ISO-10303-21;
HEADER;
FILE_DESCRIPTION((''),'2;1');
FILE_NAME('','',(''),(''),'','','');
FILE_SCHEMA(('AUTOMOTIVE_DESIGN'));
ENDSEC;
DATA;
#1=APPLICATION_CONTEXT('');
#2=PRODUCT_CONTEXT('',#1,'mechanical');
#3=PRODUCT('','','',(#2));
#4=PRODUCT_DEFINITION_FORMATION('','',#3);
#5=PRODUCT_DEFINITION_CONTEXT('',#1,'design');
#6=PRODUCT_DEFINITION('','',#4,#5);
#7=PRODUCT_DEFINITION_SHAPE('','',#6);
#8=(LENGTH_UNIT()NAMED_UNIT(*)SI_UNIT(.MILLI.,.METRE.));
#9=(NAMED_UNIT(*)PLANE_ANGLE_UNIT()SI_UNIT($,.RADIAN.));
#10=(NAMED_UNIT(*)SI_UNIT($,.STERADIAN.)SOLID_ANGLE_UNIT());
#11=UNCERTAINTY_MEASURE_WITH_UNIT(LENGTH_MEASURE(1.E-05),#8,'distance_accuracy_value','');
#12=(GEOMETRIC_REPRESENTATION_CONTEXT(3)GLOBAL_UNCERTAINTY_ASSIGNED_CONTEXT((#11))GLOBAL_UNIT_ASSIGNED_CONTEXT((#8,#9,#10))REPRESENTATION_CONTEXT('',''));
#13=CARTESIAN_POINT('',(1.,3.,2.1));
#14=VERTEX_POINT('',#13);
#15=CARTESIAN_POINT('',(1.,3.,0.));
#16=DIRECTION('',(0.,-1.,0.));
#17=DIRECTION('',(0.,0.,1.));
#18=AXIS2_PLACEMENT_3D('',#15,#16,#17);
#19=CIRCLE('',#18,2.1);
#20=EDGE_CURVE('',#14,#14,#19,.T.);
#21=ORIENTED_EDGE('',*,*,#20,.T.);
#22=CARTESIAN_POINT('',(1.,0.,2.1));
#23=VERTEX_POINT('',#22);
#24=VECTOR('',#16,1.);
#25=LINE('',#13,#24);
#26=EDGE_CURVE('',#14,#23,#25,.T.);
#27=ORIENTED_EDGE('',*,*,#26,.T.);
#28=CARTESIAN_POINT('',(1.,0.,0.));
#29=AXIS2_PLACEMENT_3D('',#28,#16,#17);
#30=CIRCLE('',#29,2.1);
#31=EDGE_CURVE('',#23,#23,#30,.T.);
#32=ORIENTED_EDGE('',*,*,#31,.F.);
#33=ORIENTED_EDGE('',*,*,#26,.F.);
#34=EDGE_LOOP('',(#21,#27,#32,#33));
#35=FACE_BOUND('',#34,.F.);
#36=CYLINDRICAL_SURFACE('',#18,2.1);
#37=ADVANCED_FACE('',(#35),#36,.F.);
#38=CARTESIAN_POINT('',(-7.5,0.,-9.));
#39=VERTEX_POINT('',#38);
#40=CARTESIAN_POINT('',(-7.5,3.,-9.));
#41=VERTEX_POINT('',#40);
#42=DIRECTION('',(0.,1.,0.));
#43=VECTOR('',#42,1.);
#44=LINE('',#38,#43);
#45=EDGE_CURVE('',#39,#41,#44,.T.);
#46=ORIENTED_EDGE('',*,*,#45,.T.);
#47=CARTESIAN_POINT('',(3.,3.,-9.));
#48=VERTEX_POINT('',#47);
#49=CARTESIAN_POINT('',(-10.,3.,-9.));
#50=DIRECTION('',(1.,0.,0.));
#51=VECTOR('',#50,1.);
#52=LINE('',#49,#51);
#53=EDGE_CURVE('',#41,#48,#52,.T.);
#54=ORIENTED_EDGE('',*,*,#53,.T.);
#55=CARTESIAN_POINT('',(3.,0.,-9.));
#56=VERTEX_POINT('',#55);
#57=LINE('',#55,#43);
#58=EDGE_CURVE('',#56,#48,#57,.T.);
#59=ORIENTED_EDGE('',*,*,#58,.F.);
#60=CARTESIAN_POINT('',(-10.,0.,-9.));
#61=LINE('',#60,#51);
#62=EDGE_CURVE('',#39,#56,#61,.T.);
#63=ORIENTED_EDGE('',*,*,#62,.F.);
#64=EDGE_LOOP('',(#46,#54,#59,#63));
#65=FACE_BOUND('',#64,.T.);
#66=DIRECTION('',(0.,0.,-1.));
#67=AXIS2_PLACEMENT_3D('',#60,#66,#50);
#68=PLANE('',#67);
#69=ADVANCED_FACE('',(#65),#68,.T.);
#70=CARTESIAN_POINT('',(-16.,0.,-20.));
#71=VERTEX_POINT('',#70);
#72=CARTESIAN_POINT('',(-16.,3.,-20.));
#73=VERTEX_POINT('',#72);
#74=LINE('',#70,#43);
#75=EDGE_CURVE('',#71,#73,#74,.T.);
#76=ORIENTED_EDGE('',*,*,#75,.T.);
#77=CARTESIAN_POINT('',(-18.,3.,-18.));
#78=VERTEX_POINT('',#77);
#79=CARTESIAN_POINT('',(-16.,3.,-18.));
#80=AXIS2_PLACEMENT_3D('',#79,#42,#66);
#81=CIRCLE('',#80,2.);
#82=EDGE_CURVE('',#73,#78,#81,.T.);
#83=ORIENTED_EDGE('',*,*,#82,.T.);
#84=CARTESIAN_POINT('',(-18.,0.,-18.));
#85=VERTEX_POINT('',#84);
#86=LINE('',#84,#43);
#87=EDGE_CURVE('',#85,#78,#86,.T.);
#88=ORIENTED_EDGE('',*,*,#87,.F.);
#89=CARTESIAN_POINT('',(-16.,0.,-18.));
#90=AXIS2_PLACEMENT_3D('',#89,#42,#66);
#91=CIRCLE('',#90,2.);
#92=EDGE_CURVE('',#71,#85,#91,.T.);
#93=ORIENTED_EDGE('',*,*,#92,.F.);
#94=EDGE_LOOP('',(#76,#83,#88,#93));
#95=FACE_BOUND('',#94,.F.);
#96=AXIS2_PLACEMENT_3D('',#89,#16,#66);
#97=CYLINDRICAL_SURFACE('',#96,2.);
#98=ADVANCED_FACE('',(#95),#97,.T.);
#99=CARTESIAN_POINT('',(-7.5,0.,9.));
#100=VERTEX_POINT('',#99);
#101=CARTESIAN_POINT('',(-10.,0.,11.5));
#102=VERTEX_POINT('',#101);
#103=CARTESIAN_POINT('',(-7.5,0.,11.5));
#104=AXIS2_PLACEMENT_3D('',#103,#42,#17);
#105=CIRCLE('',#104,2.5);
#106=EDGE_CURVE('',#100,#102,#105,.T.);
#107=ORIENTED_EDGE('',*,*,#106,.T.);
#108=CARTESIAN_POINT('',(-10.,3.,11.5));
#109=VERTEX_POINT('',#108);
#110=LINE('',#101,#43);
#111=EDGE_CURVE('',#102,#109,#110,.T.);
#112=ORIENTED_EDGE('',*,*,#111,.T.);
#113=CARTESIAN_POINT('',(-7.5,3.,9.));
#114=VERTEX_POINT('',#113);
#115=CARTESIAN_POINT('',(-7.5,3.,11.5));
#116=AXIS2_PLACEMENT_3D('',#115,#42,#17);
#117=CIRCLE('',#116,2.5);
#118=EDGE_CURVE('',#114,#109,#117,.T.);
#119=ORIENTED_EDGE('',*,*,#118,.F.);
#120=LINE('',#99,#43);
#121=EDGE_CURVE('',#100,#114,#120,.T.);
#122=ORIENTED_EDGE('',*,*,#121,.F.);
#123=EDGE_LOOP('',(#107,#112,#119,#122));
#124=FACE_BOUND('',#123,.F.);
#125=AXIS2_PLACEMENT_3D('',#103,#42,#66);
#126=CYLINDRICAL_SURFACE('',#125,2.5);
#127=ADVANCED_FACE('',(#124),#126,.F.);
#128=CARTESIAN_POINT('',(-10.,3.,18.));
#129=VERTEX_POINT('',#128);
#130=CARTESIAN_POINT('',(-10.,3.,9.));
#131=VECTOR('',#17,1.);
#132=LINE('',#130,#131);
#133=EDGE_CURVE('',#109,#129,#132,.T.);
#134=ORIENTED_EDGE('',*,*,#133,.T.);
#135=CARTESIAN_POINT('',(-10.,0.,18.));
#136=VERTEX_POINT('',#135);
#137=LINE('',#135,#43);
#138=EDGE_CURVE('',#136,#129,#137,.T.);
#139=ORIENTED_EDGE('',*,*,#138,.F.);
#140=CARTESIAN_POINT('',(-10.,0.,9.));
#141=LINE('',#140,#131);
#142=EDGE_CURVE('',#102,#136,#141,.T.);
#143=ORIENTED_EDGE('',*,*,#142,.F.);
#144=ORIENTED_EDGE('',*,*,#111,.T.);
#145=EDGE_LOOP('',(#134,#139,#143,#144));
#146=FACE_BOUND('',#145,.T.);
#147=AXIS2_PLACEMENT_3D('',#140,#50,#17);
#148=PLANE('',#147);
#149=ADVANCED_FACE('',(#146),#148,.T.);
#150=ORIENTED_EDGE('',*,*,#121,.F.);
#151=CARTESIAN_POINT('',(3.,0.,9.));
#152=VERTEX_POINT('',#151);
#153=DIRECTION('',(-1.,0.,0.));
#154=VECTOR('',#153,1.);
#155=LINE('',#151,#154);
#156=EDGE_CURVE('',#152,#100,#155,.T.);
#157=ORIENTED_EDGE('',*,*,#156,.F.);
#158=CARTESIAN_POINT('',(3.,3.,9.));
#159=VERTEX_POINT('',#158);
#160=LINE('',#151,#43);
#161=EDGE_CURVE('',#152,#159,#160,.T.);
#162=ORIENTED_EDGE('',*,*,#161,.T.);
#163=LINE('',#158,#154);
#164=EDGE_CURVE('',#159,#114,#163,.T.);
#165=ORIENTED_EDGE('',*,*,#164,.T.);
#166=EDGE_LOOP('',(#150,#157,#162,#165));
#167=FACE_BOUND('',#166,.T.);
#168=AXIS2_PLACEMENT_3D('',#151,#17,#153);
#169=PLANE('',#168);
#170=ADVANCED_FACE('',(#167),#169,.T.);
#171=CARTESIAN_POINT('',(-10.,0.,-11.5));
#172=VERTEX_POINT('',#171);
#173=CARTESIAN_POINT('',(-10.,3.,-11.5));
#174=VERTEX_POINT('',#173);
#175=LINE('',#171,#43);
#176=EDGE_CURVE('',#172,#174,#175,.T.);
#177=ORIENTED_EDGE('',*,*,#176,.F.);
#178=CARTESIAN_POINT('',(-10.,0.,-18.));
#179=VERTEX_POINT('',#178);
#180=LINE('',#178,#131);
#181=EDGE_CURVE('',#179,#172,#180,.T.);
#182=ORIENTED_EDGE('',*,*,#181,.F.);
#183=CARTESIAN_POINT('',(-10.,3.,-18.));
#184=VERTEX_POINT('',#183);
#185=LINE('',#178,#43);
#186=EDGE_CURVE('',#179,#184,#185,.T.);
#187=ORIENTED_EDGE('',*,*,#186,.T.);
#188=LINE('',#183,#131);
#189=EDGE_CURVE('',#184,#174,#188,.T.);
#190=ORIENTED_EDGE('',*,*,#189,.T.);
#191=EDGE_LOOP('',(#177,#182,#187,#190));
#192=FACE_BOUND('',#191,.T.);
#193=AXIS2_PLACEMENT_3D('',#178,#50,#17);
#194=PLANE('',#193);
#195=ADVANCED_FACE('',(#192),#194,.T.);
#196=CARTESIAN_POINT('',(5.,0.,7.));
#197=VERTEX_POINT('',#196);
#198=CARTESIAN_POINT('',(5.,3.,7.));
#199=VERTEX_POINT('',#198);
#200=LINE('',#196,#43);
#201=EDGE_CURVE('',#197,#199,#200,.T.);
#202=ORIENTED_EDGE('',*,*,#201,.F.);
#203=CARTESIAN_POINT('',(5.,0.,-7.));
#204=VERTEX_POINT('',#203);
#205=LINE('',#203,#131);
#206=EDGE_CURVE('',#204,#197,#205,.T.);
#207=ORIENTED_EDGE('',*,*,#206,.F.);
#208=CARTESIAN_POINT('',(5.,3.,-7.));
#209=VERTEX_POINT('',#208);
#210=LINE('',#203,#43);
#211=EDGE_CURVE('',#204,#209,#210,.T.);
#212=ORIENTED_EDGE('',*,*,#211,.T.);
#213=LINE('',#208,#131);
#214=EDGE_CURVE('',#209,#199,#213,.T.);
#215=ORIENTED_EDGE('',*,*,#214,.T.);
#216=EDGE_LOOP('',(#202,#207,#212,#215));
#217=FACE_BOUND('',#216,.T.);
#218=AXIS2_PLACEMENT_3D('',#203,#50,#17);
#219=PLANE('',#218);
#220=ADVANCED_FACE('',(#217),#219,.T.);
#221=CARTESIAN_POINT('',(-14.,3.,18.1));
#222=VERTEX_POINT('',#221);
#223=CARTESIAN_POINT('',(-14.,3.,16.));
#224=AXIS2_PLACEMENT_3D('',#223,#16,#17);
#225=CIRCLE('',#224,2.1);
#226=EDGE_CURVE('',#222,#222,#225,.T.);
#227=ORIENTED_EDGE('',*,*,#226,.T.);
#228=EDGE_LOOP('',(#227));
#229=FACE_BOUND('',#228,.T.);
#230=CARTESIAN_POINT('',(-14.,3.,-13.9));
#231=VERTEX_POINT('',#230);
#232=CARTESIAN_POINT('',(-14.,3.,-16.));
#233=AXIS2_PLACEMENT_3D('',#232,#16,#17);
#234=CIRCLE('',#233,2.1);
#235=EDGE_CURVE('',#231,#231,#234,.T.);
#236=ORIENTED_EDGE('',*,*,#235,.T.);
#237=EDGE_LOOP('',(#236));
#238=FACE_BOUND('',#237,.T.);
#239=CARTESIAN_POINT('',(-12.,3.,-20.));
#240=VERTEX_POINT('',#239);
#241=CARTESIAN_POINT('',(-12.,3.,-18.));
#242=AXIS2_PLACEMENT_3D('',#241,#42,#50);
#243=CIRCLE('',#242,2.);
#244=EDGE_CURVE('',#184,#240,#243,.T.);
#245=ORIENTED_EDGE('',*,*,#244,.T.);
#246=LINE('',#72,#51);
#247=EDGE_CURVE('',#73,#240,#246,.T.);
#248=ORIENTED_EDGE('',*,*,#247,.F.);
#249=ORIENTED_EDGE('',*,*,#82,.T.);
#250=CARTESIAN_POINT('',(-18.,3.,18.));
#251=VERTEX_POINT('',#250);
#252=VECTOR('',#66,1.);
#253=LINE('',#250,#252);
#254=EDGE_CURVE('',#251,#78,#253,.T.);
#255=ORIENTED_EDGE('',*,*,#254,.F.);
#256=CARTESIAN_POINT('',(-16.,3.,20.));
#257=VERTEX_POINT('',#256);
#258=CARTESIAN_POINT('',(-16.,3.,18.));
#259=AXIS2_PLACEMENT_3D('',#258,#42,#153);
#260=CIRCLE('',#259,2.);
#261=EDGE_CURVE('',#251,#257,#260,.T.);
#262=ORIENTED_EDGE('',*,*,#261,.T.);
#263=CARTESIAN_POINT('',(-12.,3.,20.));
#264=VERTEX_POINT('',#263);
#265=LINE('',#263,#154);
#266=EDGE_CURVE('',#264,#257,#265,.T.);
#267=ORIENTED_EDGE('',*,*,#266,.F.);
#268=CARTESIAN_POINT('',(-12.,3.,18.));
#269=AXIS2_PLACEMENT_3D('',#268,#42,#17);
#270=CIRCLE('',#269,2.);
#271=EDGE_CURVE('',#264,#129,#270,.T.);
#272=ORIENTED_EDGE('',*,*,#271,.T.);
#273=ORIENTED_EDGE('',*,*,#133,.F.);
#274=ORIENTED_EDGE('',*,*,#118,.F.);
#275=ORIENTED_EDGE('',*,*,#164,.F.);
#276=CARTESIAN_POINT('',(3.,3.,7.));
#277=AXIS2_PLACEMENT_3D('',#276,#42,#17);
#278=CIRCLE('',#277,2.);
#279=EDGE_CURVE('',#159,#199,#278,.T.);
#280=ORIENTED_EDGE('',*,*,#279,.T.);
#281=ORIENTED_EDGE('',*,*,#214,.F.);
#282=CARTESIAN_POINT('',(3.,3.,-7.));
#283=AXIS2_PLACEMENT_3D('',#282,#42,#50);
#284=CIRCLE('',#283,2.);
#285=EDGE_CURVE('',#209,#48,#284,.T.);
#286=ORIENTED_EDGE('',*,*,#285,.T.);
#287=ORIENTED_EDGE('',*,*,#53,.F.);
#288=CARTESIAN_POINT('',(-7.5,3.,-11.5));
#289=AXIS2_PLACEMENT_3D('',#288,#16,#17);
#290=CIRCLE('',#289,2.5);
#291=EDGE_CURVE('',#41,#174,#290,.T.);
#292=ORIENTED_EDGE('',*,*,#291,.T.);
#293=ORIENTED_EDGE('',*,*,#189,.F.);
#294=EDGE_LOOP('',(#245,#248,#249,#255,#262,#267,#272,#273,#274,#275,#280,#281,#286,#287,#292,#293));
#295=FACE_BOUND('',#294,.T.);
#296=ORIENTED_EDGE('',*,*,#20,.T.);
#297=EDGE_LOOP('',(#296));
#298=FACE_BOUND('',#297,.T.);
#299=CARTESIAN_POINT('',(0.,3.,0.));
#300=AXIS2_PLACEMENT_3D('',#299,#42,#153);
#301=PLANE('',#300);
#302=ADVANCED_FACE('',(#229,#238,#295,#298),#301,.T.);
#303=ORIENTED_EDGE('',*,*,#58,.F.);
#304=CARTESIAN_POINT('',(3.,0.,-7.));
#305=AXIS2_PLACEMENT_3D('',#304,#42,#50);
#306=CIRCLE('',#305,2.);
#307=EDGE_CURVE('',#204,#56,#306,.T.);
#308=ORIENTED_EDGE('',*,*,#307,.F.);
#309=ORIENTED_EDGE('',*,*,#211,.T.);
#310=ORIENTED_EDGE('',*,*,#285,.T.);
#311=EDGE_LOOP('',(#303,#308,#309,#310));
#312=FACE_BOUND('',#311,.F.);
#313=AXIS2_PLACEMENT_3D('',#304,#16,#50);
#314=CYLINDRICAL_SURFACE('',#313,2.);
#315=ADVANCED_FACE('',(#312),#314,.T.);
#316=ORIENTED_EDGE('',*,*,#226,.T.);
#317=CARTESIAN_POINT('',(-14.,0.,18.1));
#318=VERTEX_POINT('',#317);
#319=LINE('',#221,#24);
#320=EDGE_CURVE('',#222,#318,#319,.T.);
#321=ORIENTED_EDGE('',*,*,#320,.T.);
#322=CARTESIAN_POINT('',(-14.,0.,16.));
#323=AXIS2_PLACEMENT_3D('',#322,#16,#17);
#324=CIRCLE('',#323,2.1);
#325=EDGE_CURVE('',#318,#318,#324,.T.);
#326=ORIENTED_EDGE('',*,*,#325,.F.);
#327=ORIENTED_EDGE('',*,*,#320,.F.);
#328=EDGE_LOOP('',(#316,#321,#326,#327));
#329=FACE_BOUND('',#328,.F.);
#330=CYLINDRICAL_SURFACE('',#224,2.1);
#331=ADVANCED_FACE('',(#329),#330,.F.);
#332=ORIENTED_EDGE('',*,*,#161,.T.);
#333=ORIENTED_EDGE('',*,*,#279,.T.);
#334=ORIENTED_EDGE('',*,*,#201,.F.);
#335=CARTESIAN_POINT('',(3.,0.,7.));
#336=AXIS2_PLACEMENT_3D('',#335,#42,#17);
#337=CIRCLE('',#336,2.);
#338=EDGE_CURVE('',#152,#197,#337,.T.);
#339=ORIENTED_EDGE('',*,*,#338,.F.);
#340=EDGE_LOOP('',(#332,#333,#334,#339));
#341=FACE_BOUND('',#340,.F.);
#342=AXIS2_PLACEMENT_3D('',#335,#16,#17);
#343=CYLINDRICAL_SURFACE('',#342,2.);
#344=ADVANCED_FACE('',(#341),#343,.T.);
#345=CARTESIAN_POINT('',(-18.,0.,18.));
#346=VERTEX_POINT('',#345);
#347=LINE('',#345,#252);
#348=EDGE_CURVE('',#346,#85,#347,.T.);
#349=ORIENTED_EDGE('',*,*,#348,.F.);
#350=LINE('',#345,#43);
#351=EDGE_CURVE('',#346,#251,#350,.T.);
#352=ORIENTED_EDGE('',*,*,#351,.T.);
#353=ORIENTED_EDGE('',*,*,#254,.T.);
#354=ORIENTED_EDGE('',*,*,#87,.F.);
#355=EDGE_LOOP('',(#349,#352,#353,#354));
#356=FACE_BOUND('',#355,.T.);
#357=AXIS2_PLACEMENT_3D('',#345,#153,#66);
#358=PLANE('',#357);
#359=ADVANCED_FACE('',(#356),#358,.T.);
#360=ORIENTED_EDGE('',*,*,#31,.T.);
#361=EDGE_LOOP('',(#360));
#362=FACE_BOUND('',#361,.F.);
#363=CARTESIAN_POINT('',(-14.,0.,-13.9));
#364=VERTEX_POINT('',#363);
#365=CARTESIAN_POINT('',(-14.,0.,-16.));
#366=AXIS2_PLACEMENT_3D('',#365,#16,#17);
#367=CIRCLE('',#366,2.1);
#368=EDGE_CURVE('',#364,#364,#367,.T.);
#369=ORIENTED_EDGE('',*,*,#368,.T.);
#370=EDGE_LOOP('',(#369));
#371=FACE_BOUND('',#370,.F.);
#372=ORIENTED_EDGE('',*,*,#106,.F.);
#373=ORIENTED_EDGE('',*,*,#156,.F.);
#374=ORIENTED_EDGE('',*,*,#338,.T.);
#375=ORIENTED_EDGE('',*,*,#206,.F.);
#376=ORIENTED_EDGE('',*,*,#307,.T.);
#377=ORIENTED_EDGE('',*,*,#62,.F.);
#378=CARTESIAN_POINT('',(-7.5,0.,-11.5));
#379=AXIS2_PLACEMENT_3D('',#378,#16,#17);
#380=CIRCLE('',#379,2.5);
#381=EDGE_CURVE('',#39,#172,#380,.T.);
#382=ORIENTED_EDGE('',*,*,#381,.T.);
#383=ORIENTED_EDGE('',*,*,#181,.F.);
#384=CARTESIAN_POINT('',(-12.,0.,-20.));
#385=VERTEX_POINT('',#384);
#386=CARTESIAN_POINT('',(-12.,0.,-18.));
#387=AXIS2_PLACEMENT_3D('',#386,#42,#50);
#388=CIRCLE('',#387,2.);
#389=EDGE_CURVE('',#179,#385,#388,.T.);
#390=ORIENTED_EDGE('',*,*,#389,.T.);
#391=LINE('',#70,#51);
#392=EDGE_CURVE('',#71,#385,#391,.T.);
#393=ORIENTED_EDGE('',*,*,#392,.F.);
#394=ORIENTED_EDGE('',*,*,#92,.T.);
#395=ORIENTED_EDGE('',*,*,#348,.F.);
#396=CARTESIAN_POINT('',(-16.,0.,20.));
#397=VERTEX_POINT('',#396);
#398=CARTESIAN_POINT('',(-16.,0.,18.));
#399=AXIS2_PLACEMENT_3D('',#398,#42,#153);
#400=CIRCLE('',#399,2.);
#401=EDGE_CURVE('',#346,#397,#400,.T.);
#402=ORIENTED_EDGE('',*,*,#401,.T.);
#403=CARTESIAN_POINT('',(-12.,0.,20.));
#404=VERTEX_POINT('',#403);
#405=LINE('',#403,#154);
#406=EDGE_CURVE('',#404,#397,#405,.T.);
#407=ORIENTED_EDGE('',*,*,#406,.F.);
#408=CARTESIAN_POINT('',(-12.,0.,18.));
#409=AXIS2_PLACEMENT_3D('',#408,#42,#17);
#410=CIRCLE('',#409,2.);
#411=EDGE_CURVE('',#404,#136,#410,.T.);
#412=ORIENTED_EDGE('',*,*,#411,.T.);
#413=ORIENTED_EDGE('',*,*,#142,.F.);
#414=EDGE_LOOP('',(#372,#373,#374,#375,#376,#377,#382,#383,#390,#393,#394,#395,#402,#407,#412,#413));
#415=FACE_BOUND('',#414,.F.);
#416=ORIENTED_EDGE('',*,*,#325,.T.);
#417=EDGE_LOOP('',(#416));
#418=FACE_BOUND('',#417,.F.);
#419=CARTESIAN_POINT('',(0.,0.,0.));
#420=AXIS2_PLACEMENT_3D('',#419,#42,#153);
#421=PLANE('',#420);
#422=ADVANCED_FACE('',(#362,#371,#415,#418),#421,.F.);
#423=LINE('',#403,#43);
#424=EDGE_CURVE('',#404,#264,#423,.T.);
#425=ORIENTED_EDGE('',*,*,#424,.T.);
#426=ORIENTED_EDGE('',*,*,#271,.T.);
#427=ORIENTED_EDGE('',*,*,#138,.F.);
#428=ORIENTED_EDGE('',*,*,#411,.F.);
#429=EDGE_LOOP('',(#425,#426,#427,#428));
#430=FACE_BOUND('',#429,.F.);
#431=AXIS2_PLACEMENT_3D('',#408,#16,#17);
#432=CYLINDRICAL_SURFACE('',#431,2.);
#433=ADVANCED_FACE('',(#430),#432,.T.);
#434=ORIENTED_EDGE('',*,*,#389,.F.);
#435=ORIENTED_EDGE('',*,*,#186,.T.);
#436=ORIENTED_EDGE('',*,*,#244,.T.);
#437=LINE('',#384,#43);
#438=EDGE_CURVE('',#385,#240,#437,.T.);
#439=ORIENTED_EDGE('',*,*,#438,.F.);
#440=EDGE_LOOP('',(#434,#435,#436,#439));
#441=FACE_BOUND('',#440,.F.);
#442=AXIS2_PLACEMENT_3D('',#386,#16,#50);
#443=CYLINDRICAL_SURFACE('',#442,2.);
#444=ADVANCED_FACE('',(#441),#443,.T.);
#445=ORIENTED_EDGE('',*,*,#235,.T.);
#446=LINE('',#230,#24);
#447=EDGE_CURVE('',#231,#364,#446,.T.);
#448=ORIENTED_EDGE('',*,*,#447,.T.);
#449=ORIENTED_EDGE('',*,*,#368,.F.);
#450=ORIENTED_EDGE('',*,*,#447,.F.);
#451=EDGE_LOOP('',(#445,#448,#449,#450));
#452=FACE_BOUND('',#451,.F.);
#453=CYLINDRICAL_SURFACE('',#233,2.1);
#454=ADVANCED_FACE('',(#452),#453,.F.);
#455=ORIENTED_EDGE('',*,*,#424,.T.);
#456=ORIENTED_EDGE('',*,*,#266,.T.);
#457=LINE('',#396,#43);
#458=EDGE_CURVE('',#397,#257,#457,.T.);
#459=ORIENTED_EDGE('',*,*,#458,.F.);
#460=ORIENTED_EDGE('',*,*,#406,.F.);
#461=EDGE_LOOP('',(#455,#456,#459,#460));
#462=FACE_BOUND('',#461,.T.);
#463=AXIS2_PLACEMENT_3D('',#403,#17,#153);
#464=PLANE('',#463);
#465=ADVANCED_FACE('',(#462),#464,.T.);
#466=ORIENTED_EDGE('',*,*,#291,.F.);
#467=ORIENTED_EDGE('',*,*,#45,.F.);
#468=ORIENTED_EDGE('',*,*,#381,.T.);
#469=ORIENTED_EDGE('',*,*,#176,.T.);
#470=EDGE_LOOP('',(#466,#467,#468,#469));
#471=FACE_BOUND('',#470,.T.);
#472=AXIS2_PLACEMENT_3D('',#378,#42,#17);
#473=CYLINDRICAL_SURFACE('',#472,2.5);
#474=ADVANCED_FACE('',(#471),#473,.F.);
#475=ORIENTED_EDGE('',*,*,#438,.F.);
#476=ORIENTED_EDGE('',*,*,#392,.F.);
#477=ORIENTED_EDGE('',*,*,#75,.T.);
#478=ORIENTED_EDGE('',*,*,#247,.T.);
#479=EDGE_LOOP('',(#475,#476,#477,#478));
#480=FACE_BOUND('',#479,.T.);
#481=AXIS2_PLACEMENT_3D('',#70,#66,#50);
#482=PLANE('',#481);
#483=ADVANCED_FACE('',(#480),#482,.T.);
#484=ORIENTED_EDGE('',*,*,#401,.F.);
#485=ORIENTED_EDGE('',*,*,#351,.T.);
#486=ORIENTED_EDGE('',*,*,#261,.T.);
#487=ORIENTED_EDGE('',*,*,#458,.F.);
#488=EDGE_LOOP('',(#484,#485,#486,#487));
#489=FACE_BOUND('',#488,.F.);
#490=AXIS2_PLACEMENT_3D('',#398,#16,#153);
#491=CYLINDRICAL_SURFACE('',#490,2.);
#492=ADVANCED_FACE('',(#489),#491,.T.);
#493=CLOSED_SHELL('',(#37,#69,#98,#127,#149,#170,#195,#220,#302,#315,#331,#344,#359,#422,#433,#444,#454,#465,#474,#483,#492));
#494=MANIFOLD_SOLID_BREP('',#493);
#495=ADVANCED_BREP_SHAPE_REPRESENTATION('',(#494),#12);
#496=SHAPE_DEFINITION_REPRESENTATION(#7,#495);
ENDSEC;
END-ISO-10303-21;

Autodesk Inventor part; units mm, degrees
ref_plane "YZ Plane" through (0, 0, 0) normal (1, 0, 0) x (0, 1, 0)
ref_plane "XZ Plane" through (0, 0, 0) normal (0, 1, 0) x (-1, 0, 0)
ref_plane "XY Plane" through (0, 0, 0) normal (0, 0, 1) x (1, 0, 0)
sketch "スケッチ1" plane through (0, 0, 0) normal (0, 1, 0) x (-1, 0, 0)
  line L0 (-3, 9) -> (10, 9)
  line L1 (10, -9) -> (-3, -9)
  line L2 (-5, -7) -> (-5, 7)
  line L3 (12, 20) -> (16, 20)
  line L4 (18, 18) -> (18, -18)
  line L5 (16, -20) -> (12, -20)
  line L6 (10, -18) -> (10, -9)
  line L7 (10, 9) -> (10, 18)
  arc A0 (18, 18) -> (16, 20) centre (16, 18) ccw
  arc A1 (12, 20) -> (10, 18) centre (12, 18) ccw
  arc A2 (16, -20) -> (18, -18) centre (16, -18) ccw
  arc A3 (10, -18) -> (12, -20) centre (12, -18) ccw
  arc A4 (-5, -7) -> (-3, -9) centre (-3, -7) ccw
  arc A5 (-3, 9) -> (-5, 7) centre (-3, 7) ccw
  point P0 (0, 0)
  point P1 (-5, 9)
  point P2 (-5, -9)
  point P3 (10, 20)
  point P4 (18, -20)
  point P5 (18, 20)
  point P6 (10, -20)
  dimension "d0" = 5
  dimension "d2" = 8
  dimension "d3" = 8
  dimension "d4" = 18
  dimension "d5" = 9
  dimension "d6" = 40
  dimension "d7" = 20
  dimension "d8" = 10
  dimension "d10" = 2
extrude "プレート1" add sketch "スケッチ1" along normal blind 3
hole "穴1" at (-14, 3, 16) direction (0, -1, 0) diameter 4.2 end through all
hole "穴2" at (-14, 3, -16) direction (0, -1, 0) diameter 4.2 end through all
hole "穴3" at (1, 3, 0) direction (0, -1, 0) diameter 4.2 end through all
sketch "スケッチ2" plane through (0, 0, 0) normal (0, -1, 0) x (1, 0, 0)
  circle A0 centre (1, 0) radius 2.1 projected
  circle A1 centre (-14, -16) radius 2.1 projected
  circle A2 centre (-14, 16) radius 2.1 projected
  line L0 (-10, 9) -> (3, 9) projected
  line L1 (-10, 18) -> (-10, 9) projected
  arc A3 (-10, 18) -> (-12, 20) centre (-12, 18) ccw projected
  line L2 (-16, 20) -> (-12, 20) projected
  arc A4 (-16, 20) -> (-18, 18) centre (-16, 18) ccw projected
  line L3 (-18, -18) -> (-18, 18) projected
  arc A5 (-18, -18) -> (-16, -20) centre (-16, -18) ccw projected
  line L4 (-12, -20) -> (-16, -20) projected
  arc A6 (-12, -20) -> (-10, -18) centre (-12, -18) ccw projected
  line L5 (-10, -9) -> (-10, -18) projected
  line L6 (3, -9) -> (-10, -9) projected
  arc A7 (3, -9) -> (5, -7) centre (3, -7) ccw projected
  line L7 (5, 7) -> (5, -7) projected
  arc A8 (5, 7) -> (3, 9) centre (3, 7) ccw projected
  point P0 (0, 0)
fillet "フィレット1" radius 2.5 2 edges at (-10, 1.5, 9) (-10, 1.5, -9)
equation "\"d3\" = d2"
equation "\"d18\" = Thickness"
equation "\"d28\" = Thickness"
equation "\"d37\" = Thickness"
equation "\"d9\" = Thickness"
equation "\"d5\" = 0.5 * d4"
equation "\"d7\" = 0.5 * d6"
equation "\"BendRadius\" = Thickness"
equation "\"BendReliefWidth\" = Thickness"
equation "\"BendReliefDepth\" = 0.5 * Thickness"
equation "\"CornerReliefSize\" = 4 * Thickness"
equation "\"MinimumRemnant\" = 2 * Thickness"
equation "\"TransitionRadius\" = BendRadius"
equation "\"JacobiRadiusSize\" = BendRadius"
equation "\"GapSize\" = Thickness"
equation "\"Thickness\" = 3"
properties part number "T_almite_braket"
